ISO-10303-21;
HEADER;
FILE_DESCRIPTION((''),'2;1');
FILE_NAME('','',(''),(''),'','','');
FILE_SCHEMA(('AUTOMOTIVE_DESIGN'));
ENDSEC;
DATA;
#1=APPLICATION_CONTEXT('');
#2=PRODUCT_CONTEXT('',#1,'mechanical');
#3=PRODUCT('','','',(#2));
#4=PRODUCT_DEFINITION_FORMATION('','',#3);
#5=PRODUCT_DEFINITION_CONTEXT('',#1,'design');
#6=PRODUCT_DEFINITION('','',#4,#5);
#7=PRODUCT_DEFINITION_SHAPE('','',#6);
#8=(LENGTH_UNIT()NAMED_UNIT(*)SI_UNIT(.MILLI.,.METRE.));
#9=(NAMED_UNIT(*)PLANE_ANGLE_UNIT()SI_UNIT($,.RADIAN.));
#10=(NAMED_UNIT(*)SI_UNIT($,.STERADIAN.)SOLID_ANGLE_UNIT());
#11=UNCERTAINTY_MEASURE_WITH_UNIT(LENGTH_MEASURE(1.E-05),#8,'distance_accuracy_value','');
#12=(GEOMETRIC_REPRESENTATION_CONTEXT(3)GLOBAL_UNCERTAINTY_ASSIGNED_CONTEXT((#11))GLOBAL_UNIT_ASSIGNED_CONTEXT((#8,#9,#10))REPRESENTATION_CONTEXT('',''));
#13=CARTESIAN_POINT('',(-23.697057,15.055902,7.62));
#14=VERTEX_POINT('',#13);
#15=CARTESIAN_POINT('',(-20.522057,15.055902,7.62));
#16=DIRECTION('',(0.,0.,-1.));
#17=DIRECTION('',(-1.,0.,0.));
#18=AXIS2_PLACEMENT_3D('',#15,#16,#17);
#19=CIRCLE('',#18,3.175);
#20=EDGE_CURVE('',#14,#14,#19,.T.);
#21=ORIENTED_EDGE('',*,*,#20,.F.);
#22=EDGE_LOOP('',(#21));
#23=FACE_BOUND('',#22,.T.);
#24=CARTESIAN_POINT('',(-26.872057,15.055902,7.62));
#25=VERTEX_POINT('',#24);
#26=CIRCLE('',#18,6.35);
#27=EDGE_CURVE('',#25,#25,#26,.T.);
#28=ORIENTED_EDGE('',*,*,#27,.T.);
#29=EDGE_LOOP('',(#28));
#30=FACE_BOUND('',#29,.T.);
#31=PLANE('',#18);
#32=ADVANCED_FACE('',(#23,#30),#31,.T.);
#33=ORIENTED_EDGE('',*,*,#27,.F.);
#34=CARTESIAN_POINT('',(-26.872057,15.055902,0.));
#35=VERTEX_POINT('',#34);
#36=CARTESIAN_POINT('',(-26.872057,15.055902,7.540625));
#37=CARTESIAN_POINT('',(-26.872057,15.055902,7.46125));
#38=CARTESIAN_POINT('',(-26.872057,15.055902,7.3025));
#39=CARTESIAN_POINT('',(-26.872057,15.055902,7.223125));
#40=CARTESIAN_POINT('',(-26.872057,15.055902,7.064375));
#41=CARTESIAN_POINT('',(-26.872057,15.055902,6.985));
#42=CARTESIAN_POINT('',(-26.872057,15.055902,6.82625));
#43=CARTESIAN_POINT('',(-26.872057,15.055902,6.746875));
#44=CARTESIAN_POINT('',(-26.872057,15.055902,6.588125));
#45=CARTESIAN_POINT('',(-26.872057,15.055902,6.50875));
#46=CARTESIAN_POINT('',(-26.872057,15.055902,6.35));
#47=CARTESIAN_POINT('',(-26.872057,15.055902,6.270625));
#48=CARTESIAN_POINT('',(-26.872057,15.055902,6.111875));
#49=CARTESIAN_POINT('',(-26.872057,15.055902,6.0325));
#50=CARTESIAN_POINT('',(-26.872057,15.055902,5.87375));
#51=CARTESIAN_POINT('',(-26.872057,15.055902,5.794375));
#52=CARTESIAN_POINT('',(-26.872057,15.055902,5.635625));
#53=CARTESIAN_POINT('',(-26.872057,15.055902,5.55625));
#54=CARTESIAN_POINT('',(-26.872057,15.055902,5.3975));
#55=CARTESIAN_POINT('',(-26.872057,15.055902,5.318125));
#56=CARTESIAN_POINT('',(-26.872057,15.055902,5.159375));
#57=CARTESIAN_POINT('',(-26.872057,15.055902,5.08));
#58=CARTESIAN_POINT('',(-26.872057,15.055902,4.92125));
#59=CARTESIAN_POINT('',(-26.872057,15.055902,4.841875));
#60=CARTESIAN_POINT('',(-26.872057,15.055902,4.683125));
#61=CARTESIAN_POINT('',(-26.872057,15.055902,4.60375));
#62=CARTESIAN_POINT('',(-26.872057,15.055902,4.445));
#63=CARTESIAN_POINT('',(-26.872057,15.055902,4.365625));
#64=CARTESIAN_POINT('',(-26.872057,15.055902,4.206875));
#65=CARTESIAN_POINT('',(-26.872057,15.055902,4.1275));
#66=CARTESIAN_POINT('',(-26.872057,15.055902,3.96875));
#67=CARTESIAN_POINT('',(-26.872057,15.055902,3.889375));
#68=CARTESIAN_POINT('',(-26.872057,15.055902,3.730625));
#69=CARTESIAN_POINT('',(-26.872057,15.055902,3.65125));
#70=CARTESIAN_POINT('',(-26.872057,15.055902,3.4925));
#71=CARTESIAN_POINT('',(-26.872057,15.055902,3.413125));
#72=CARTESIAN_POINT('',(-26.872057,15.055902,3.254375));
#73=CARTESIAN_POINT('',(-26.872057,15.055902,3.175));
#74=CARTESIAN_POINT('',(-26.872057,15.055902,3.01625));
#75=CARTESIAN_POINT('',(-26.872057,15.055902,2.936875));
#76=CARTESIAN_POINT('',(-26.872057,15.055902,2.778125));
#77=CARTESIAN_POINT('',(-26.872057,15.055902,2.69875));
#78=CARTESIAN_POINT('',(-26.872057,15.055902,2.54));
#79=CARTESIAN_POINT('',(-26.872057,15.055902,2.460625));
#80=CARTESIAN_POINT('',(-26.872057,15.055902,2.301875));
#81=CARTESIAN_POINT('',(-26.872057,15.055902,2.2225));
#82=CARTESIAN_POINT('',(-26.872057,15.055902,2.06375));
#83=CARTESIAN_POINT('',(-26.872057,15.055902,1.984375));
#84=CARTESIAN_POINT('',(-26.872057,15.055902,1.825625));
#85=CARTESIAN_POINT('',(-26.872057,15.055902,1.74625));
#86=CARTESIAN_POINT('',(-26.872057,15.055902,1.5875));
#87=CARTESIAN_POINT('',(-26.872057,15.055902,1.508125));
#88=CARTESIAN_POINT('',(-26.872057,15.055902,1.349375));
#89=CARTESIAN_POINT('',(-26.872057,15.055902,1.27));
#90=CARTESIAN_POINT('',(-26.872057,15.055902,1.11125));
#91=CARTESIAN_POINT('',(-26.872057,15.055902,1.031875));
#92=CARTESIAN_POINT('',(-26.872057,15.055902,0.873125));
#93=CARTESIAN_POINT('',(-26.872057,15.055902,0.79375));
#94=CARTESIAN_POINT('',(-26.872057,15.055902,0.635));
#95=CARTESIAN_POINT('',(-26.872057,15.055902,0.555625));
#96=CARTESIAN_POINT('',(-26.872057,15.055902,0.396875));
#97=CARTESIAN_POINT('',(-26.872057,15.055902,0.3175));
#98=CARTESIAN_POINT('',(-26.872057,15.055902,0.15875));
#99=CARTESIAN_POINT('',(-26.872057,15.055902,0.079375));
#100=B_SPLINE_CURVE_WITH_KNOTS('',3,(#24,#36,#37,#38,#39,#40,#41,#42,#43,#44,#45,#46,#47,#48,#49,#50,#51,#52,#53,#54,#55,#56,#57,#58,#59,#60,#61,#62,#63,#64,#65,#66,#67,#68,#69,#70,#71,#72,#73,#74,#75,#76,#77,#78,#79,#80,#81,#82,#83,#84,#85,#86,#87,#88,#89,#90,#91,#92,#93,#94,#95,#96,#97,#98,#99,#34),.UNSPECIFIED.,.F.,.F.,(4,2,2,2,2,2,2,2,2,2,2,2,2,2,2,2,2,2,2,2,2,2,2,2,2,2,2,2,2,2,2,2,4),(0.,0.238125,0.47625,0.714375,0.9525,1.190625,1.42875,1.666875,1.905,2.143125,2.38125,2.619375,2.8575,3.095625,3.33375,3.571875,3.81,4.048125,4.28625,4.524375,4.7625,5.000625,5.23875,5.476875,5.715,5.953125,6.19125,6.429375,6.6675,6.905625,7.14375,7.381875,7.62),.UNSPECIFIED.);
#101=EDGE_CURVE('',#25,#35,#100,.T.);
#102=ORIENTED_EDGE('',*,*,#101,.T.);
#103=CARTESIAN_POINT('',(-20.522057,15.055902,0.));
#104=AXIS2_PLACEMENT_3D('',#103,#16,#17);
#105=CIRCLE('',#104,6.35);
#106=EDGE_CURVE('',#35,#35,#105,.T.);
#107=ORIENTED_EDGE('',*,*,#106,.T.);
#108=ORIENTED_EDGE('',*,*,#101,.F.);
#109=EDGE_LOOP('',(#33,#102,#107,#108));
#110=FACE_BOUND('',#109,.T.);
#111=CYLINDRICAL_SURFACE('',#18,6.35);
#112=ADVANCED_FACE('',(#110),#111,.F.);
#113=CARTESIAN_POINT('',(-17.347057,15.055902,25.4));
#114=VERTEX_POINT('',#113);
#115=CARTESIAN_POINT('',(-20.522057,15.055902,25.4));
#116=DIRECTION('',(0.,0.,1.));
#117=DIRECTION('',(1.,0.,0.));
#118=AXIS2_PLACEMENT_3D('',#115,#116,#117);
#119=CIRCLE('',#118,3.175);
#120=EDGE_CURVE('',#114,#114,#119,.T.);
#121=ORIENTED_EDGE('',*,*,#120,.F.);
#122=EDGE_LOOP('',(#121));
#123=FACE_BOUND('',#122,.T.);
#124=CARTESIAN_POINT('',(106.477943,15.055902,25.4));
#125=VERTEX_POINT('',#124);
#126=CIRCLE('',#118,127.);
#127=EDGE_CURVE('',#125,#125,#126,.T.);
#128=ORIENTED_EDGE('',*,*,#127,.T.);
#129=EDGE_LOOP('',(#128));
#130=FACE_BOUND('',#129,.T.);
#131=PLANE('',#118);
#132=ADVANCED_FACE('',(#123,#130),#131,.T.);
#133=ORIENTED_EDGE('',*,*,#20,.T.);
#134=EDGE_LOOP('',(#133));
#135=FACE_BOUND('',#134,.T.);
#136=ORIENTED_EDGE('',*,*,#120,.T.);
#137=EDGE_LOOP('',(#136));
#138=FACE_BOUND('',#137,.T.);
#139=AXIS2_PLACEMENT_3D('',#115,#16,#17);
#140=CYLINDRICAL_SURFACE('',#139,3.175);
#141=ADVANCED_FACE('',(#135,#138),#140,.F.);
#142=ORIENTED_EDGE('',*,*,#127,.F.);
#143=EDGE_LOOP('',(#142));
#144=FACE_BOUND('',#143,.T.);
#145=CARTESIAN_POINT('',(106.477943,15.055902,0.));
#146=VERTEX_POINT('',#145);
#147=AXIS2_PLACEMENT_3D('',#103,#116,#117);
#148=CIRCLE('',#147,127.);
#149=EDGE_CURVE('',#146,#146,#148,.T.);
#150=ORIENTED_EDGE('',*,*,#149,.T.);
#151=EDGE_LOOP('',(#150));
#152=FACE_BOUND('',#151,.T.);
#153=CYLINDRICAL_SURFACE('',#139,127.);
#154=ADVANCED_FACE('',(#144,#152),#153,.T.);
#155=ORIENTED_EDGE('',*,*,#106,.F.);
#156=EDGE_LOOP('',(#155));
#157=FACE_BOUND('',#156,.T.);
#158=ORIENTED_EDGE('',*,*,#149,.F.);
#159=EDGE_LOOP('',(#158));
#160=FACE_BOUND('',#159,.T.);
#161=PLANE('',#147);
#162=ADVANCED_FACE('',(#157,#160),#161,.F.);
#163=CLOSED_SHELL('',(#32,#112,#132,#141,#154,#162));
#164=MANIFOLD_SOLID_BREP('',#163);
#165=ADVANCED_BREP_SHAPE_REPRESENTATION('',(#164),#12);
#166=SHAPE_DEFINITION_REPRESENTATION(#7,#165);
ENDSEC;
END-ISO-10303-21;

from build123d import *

# Parameters (mm, degrees)
SKETCH1_R           = 127
SKETCH1_R_2         = 3.175
BOSS_EXTRUDE3_DEPTH = 25.4
SKETCH2_R           = 6.35
CUT_EXTRUDE1_DEPTH  = 7.62


with BuildPart() as part:
    # Sketch1 → Boss-Extrude3 (new body)
    with BuildSketch(Plane.XY):
        with Locations((-20.52205738, 15.05590191)):
            Circle(SKETCH1_R)
        with Locations((-20.52205738, 15.05590191)):
            Circle(SKETCH1_R_2, mode=Mode.SUBTRACT)
    extrude(amount=BOSS_EXTRUDE3_DEPTH)

    # Sketch2 → Cut-Extrude1 (cut)
    with BuildSketch(Plane(origin=(0, 0, 0), x_dir=(-1, 0, 0), z_dir=(0, 0, -1))):
        with Locations((20.52205738, 15.05590191)):
            Circle(SKETCH2_R)
    extrude(amount=-CUT_EXTRUDE1_DEPTH, mode=Mode.SUBTRACT)


solid = part.part
